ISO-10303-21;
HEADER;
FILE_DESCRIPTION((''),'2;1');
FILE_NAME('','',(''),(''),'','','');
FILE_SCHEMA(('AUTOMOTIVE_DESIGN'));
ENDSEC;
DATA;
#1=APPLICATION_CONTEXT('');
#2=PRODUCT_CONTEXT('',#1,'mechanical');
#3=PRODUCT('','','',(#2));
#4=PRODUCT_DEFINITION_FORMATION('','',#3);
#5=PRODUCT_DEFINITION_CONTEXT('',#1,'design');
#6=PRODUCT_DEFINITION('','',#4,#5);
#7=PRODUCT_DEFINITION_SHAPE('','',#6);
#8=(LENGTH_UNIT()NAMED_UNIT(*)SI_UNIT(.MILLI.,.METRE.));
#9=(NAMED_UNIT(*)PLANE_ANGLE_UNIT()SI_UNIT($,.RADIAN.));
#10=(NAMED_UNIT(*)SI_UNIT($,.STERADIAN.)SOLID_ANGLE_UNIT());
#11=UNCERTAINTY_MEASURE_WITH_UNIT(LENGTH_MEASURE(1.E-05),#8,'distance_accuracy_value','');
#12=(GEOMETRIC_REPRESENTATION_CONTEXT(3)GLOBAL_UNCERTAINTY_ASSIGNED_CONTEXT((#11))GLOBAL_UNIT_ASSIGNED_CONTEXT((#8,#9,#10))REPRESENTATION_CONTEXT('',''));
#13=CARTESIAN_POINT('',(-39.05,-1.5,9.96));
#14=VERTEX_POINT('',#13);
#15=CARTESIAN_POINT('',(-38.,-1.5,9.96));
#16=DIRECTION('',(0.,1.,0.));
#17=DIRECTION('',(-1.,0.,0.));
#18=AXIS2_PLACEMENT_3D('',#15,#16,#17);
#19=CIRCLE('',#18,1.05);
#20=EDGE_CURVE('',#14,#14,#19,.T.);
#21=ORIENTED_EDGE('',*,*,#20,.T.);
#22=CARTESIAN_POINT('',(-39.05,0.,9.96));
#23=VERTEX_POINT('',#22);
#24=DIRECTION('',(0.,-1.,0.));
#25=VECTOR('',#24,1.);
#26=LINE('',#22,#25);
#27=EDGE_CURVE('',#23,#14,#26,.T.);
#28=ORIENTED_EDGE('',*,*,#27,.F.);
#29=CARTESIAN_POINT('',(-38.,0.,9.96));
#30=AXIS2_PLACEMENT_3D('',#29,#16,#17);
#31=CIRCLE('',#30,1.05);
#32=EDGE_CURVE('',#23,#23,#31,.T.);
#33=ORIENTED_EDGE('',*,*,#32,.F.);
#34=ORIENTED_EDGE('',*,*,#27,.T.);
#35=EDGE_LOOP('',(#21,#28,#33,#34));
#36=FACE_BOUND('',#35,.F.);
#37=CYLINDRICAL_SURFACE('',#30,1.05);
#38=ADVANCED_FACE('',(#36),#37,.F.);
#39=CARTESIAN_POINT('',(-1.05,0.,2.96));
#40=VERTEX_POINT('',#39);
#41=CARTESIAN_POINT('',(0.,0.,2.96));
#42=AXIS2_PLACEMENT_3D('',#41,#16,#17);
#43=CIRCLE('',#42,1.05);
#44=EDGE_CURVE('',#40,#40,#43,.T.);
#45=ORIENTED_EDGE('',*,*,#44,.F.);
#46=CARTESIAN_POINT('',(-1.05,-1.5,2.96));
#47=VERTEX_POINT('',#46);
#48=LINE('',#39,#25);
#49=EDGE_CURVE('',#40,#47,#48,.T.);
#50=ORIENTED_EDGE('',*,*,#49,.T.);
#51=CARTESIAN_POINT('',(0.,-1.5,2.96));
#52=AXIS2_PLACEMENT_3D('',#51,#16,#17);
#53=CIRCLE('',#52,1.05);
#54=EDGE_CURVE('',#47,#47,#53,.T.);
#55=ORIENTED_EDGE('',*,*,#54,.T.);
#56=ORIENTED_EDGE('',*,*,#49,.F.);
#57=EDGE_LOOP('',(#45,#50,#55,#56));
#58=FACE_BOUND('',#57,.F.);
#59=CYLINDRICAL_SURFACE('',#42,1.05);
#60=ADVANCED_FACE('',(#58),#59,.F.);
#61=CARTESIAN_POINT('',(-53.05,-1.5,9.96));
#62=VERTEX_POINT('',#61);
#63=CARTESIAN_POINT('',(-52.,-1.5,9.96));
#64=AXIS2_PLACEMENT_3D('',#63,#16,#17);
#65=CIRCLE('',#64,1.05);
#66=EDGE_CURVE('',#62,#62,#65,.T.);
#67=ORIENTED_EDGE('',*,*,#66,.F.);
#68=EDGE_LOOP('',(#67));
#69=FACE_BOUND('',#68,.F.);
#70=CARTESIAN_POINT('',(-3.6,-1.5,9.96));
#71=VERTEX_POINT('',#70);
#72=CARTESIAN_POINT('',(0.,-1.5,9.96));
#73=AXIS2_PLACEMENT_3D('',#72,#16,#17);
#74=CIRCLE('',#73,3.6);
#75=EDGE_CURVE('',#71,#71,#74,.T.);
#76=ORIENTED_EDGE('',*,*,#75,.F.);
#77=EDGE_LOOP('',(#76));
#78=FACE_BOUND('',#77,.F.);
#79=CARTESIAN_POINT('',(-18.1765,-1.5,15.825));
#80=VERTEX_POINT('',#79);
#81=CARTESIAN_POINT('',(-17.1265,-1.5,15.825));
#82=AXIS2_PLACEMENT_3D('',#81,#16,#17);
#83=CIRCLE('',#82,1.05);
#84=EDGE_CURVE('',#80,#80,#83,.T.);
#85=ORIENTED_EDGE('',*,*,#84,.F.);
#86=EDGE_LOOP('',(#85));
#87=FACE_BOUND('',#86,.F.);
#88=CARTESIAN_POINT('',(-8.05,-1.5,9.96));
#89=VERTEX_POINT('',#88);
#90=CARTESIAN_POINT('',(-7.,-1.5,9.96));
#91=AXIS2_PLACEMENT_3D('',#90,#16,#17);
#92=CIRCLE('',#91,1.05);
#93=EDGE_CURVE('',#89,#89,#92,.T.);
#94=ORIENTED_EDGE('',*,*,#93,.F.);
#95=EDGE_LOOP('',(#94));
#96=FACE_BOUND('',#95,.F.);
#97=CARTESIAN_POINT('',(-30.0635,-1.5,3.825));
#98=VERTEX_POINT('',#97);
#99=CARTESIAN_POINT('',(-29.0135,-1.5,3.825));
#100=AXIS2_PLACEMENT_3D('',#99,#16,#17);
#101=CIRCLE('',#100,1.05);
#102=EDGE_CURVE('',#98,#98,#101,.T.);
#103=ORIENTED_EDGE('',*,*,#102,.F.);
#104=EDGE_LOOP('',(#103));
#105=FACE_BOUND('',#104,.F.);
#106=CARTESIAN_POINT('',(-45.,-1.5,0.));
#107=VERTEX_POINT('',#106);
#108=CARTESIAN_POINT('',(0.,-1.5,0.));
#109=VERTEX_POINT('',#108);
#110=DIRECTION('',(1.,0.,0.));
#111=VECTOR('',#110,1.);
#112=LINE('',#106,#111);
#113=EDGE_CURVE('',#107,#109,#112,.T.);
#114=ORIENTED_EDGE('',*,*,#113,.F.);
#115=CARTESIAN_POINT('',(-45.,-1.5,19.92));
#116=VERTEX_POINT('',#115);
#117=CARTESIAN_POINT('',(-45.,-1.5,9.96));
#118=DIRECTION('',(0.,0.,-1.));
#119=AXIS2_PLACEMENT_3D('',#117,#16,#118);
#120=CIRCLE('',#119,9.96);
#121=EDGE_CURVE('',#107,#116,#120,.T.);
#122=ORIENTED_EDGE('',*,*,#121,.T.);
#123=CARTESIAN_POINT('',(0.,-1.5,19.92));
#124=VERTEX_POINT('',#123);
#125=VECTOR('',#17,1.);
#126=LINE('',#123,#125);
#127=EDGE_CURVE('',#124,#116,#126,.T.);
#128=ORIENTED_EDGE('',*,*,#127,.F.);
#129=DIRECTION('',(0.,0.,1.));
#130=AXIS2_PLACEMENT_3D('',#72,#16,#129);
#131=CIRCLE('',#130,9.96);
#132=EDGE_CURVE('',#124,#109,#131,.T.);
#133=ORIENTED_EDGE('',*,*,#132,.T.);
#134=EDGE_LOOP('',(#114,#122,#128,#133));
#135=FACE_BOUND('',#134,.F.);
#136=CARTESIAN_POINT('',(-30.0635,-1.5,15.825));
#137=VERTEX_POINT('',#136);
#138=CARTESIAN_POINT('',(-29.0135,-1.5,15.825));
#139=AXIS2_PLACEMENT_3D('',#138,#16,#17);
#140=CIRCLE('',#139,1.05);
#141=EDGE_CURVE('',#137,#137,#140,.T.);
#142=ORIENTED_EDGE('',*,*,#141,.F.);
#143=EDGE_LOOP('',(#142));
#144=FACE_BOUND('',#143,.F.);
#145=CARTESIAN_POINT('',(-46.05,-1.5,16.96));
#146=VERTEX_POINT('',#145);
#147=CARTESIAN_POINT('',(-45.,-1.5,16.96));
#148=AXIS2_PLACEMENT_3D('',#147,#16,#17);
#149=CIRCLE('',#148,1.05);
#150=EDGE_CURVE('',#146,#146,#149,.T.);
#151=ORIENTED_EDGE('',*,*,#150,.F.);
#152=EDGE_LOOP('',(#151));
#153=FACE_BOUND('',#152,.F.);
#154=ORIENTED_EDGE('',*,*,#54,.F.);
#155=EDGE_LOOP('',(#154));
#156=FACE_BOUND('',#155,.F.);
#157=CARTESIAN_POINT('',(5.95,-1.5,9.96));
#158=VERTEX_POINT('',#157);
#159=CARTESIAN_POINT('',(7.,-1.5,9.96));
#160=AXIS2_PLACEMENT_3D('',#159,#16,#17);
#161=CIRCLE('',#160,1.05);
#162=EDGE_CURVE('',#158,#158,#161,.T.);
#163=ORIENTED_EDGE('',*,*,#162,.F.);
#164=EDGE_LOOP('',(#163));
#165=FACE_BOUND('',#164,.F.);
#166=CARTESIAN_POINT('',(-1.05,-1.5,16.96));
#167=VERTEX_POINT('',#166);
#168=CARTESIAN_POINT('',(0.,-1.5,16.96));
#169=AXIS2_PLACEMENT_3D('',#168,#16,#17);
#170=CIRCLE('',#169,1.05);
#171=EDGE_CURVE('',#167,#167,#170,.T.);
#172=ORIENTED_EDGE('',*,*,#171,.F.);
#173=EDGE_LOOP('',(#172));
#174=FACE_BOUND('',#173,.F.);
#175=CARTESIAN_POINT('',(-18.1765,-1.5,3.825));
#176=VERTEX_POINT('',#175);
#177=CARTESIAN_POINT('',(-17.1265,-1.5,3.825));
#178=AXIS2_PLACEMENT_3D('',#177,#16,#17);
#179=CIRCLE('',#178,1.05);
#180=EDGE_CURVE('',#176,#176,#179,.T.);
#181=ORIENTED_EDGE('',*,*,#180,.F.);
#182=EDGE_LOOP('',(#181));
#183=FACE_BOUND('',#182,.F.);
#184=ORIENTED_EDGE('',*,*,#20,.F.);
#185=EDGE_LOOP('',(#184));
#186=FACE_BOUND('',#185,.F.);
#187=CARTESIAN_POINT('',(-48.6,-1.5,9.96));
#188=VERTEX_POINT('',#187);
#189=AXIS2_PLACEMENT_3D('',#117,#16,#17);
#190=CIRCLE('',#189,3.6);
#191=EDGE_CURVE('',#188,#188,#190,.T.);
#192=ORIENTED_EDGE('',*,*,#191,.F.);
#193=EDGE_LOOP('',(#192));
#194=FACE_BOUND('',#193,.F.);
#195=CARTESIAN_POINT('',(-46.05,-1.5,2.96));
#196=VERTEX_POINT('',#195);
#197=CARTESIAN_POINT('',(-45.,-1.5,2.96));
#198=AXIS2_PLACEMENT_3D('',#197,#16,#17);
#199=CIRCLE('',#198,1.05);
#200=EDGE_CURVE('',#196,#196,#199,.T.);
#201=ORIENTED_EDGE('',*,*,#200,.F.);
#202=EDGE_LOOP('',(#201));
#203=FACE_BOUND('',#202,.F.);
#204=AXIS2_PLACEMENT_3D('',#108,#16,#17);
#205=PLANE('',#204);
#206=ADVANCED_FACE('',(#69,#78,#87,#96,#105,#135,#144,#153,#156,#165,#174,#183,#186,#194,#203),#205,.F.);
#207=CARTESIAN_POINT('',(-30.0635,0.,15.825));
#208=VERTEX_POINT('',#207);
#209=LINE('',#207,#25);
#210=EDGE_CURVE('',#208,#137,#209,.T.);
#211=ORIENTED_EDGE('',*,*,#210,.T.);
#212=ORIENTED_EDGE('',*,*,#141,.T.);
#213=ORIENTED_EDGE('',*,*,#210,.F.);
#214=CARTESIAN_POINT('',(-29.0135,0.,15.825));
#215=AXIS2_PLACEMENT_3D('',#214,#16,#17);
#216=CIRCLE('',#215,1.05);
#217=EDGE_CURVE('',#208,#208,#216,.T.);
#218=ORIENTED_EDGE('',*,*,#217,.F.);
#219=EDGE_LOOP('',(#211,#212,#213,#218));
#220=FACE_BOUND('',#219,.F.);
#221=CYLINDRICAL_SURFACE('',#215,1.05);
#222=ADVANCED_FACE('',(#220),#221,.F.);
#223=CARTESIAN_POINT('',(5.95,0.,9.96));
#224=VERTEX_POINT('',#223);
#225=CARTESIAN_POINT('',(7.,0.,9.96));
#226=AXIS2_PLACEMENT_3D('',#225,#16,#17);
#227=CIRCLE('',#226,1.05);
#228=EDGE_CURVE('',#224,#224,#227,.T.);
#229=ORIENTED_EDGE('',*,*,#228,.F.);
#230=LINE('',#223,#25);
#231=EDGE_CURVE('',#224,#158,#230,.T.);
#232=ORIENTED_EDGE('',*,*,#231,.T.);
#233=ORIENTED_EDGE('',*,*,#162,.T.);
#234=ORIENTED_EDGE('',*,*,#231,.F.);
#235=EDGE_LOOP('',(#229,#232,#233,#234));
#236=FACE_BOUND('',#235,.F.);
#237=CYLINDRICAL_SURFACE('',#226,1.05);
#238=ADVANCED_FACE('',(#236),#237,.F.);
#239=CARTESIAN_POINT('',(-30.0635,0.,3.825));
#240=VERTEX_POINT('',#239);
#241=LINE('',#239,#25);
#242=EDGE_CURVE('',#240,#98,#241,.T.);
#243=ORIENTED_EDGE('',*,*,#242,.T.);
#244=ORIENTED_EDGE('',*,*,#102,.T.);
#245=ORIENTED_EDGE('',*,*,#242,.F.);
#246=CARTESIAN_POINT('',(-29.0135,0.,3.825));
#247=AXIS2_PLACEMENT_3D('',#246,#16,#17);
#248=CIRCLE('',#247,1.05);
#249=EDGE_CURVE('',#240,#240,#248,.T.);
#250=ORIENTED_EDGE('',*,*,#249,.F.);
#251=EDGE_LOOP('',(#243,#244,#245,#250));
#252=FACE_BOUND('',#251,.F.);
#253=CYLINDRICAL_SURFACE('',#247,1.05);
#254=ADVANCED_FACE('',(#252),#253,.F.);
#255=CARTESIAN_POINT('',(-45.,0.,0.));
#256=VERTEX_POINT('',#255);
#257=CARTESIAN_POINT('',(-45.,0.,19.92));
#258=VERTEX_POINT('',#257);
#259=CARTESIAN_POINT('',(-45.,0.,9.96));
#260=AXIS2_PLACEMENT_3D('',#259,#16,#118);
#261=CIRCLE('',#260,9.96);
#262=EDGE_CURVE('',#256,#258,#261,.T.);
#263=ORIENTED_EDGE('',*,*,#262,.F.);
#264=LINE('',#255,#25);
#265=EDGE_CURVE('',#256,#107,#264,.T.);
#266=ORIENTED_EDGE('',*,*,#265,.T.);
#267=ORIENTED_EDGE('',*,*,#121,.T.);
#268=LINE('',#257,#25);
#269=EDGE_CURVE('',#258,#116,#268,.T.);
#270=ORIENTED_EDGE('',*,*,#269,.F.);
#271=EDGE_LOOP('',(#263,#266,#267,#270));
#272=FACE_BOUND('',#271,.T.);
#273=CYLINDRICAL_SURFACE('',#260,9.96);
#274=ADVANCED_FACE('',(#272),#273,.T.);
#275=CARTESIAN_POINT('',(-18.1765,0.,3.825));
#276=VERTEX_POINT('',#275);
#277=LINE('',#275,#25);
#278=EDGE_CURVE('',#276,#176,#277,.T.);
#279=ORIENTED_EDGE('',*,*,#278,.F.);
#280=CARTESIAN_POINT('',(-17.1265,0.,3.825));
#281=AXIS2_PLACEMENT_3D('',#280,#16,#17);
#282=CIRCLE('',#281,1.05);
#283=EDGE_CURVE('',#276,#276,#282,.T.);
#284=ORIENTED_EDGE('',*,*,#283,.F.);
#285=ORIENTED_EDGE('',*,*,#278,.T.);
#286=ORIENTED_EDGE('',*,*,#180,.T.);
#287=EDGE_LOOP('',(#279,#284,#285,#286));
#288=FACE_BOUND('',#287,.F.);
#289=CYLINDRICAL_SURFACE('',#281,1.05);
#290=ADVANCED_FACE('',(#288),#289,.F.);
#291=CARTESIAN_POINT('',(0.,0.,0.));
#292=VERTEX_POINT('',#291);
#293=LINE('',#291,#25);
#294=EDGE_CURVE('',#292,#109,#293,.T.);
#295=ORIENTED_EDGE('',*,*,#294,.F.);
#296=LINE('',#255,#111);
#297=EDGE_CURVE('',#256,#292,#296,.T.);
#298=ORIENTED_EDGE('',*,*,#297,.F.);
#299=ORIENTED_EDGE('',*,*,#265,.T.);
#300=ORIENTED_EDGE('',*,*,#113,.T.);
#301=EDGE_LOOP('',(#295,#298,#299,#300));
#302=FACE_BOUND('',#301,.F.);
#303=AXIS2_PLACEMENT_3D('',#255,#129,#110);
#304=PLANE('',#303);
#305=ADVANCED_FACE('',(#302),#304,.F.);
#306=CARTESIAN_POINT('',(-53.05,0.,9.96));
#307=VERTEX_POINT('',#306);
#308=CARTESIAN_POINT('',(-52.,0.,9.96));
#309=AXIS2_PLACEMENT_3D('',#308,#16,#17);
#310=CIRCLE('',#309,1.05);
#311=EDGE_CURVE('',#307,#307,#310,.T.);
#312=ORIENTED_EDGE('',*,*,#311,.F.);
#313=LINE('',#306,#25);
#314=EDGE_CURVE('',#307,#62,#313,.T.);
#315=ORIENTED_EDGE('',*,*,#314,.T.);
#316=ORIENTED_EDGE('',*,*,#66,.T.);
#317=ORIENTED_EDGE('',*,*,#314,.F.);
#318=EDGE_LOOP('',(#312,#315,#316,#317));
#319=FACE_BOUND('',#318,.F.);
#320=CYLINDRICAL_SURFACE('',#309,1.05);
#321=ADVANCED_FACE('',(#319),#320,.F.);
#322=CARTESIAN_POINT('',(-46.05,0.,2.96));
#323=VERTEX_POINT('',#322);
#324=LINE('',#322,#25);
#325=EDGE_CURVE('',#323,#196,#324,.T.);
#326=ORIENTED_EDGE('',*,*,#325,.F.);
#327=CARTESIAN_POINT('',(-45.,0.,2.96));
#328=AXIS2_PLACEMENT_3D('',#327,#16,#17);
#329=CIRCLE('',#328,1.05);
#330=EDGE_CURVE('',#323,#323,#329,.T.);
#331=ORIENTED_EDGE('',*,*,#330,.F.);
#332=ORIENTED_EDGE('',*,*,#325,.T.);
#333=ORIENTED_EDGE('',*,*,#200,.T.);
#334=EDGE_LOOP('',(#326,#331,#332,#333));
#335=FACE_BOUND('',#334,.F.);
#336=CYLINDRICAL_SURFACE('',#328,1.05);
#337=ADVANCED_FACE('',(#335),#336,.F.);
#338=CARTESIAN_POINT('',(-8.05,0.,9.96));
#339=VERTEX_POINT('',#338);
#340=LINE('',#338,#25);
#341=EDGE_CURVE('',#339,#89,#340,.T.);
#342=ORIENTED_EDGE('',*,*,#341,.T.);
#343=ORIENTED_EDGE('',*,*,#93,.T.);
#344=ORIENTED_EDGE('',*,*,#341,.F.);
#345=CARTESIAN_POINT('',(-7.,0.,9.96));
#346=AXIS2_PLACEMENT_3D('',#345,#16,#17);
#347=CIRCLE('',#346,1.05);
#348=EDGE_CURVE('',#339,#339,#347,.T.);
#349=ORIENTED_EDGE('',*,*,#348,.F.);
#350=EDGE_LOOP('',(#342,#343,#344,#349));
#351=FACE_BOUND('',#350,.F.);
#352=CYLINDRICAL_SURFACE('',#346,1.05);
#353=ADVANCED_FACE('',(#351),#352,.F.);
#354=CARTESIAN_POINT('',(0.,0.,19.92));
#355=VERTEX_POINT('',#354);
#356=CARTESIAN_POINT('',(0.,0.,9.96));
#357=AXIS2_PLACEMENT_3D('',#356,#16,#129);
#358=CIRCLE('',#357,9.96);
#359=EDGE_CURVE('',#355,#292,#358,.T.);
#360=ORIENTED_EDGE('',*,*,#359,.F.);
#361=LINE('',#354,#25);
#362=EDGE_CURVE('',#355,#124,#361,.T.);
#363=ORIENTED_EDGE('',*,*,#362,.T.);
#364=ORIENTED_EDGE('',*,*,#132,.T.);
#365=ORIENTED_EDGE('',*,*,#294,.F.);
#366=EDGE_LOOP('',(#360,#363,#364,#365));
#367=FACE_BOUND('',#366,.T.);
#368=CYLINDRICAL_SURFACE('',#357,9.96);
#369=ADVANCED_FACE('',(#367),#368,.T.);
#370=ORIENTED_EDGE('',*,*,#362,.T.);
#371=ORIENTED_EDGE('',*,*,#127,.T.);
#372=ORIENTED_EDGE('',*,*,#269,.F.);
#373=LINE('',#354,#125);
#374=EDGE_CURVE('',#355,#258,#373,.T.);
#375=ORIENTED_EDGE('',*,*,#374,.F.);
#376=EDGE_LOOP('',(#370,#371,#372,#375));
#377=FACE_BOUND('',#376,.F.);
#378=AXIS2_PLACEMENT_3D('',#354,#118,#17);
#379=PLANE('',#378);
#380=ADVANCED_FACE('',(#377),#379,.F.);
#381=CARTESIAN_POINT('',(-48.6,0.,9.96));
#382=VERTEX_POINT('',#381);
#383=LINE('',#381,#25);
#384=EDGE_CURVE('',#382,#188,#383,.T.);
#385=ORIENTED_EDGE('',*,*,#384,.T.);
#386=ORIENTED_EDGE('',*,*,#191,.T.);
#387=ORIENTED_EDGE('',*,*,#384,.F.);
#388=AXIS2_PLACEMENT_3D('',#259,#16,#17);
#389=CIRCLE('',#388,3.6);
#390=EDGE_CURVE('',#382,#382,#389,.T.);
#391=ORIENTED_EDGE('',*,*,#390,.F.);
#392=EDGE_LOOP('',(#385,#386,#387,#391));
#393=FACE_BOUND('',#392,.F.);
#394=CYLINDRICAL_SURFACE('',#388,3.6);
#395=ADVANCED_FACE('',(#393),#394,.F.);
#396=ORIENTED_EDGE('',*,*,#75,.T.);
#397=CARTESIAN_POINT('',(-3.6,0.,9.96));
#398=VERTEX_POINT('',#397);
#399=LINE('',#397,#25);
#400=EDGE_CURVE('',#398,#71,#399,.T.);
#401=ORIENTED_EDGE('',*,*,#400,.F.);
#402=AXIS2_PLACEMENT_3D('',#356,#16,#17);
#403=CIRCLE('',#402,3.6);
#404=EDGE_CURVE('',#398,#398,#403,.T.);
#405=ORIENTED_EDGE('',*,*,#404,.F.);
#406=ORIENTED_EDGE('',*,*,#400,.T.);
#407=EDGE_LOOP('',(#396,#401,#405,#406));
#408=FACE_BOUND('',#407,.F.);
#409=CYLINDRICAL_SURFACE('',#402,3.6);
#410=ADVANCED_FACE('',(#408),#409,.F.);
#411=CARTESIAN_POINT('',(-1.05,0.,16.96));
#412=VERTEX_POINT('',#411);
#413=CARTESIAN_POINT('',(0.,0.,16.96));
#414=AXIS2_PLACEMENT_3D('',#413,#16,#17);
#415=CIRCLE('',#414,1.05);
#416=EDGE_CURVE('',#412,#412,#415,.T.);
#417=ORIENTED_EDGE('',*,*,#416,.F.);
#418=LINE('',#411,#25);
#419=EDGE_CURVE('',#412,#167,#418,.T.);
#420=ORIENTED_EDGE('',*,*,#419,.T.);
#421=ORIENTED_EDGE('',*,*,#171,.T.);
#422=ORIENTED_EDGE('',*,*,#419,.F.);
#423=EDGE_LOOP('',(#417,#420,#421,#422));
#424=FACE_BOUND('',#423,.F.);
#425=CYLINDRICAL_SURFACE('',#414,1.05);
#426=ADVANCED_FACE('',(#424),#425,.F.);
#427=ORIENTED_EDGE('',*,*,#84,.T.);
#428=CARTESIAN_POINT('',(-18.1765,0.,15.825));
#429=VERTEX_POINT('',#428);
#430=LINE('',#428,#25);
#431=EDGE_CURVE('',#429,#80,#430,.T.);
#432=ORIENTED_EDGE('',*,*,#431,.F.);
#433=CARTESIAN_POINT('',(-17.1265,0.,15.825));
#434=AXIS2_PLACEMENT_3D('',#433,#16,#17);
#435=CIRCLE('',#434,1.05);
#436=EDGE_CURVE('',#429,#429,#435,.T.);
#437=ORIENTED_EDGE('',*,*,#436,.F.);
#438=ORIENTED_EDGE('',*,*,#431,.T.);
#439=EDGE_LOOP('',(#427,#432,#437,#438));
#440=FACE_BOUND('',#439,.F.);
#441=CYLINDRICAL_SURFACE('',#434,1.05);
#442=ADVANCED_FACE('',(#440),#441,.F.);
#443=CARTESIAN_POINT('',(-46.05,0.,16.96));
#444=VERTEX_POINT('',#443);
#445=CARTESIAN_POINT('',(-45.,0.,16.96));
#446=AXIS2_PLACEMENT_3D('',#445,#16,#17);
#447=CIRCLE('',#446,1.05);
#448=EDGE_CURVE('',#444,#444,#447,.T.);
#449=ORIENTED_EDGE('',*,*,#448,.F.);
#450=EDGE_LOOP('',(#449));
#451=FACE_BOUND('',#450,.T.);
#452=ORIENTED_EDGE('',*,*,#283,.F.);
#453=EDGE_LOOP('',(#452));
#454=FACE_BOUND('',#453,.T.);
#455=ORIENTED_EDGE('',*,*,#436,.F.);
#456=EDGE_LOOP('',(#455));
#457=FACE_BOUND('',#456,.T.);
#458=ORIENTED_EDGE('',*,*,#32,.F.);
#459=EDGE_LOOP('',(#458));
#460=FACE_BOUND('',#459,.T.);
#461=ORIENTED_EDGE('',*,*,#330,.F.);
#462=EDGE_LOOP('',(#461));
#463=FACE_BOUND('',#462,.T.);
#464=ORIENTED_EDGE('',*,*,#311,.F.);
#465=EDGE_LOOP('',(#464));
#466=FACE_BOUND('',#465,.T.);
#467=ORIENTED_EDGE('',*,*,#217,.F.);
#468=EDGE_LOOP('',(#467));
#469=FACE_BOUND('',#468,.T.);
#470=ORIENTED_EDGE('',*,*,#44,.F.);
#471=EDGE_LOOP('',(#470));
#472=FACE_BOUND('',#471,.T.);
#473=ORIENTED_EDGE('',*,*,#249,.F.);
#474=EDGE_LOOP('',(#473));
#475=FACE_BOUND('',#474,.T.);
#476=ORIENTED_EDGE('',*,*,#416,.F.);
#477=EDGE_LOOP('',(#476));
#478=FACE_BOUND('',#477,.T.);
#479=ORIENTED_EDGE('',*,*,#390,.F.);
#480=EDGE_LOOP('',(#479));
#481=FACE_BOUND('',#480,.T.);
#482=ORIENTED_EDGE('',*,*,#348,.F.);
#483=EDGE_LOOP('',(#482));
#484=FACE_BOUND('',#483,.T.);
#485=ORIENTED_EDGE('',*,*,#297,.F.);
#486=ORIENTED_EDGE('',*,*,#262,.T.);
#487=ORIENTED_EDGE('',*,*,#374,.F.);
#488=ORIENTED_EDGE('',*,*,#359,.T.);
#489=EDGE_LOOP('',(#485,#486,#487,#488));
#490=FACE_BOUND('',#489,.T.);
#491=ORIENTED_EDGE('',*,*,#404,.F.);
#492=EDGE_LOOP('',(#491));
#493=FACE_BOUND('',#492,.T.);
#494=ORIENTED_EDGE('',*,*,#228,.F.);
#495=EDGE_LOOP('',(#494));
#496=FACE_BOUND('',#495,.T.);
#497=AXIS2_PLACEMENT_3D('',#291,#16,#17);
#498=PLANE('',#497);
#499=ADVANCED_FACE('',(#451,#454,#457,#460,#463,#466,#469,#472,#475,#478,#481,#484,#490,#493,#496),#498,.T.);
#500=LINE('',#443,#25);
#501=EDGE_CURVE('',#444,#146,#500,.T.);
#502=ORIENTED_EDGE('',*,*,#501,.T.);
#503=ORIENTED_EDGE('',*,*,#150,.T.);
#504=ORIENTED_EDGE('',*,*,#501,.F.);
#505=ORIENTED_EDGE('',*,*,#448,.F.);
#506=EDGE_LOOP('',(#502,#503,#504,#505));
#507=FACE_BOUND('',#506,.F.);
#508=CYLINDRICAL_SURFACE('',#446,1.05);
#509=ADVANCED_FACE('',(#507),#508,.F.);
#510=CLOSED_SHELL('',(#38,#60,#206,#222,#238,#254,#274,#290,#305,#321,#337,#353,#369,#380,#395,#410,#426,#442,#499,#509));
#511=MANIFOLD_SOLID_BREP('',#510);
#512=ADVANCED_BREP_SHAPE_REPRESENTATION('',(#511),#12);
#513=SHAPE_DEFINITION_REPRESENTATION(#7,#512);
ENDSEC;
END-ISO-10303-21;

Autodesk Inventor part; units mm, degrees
ref_plane "YZ Plane" through (0, 0, 0) normal (1, 0, 0) x (0, 1, 0)
ref_plane "XZ Plane" through (0, 0, 0) normal (0, 1, 0) x (-1, 0, 0)
ref_plane "XY Plane" through (0, 0, 0) normal (0, 0, 1) x (1, 0, 0)
sketch "Sketch1" plane through (0, 0, 0) normal (0, 1, 0) x (-1, 0, 0)
  circle A0 centre (29.0135, 3.825) radius 1.05
  circle A1 centre (17.1265, 3.825) radius 1.05
  circle A2 centre (17.1265, 15.825) radius 1.05
  circle A3 centre (29.0135, 15.825) radius 1.05
  circle A4 centre (0, 9.96) radius 3.6
  circle A5 centre (45, 9.96) radius 3.6
  circle A6 centre (0, 16.96) radius 1.05
  circle A7 centre (-7, 9.96) radius 1.05
  circle A8 centre (0, 2.96) radius 1.05
  circle A9 centre (7, 9.96) radius 1.05
  circle A10 centre (45, 16.96) radius 1.05
  circle A11 centre (38, 9.96) radius 1.05
  circle A12 centre (45, 2.96) radius 1.05
  circle A13 centre (52, 9.96) radius 1.05
  arc A14 (45, 0) -> (45, 19.92) centre (45, 9.96) ccw
  line L0 (0, 19.92) -> (45, 19.92)
  arc A15 (0, 19.92) -> (0, 0) centre (0, 9.96) ccw
  line L1 (45, 0) -> (0, 0)
  point P0 (0, 0)
extrude "Extrusion1" add sketch "Sketch1" against normal blind 1.5
properties part number "axis_3_bottom_frame(bottom)" material "Aluminum 6061-AHC"
